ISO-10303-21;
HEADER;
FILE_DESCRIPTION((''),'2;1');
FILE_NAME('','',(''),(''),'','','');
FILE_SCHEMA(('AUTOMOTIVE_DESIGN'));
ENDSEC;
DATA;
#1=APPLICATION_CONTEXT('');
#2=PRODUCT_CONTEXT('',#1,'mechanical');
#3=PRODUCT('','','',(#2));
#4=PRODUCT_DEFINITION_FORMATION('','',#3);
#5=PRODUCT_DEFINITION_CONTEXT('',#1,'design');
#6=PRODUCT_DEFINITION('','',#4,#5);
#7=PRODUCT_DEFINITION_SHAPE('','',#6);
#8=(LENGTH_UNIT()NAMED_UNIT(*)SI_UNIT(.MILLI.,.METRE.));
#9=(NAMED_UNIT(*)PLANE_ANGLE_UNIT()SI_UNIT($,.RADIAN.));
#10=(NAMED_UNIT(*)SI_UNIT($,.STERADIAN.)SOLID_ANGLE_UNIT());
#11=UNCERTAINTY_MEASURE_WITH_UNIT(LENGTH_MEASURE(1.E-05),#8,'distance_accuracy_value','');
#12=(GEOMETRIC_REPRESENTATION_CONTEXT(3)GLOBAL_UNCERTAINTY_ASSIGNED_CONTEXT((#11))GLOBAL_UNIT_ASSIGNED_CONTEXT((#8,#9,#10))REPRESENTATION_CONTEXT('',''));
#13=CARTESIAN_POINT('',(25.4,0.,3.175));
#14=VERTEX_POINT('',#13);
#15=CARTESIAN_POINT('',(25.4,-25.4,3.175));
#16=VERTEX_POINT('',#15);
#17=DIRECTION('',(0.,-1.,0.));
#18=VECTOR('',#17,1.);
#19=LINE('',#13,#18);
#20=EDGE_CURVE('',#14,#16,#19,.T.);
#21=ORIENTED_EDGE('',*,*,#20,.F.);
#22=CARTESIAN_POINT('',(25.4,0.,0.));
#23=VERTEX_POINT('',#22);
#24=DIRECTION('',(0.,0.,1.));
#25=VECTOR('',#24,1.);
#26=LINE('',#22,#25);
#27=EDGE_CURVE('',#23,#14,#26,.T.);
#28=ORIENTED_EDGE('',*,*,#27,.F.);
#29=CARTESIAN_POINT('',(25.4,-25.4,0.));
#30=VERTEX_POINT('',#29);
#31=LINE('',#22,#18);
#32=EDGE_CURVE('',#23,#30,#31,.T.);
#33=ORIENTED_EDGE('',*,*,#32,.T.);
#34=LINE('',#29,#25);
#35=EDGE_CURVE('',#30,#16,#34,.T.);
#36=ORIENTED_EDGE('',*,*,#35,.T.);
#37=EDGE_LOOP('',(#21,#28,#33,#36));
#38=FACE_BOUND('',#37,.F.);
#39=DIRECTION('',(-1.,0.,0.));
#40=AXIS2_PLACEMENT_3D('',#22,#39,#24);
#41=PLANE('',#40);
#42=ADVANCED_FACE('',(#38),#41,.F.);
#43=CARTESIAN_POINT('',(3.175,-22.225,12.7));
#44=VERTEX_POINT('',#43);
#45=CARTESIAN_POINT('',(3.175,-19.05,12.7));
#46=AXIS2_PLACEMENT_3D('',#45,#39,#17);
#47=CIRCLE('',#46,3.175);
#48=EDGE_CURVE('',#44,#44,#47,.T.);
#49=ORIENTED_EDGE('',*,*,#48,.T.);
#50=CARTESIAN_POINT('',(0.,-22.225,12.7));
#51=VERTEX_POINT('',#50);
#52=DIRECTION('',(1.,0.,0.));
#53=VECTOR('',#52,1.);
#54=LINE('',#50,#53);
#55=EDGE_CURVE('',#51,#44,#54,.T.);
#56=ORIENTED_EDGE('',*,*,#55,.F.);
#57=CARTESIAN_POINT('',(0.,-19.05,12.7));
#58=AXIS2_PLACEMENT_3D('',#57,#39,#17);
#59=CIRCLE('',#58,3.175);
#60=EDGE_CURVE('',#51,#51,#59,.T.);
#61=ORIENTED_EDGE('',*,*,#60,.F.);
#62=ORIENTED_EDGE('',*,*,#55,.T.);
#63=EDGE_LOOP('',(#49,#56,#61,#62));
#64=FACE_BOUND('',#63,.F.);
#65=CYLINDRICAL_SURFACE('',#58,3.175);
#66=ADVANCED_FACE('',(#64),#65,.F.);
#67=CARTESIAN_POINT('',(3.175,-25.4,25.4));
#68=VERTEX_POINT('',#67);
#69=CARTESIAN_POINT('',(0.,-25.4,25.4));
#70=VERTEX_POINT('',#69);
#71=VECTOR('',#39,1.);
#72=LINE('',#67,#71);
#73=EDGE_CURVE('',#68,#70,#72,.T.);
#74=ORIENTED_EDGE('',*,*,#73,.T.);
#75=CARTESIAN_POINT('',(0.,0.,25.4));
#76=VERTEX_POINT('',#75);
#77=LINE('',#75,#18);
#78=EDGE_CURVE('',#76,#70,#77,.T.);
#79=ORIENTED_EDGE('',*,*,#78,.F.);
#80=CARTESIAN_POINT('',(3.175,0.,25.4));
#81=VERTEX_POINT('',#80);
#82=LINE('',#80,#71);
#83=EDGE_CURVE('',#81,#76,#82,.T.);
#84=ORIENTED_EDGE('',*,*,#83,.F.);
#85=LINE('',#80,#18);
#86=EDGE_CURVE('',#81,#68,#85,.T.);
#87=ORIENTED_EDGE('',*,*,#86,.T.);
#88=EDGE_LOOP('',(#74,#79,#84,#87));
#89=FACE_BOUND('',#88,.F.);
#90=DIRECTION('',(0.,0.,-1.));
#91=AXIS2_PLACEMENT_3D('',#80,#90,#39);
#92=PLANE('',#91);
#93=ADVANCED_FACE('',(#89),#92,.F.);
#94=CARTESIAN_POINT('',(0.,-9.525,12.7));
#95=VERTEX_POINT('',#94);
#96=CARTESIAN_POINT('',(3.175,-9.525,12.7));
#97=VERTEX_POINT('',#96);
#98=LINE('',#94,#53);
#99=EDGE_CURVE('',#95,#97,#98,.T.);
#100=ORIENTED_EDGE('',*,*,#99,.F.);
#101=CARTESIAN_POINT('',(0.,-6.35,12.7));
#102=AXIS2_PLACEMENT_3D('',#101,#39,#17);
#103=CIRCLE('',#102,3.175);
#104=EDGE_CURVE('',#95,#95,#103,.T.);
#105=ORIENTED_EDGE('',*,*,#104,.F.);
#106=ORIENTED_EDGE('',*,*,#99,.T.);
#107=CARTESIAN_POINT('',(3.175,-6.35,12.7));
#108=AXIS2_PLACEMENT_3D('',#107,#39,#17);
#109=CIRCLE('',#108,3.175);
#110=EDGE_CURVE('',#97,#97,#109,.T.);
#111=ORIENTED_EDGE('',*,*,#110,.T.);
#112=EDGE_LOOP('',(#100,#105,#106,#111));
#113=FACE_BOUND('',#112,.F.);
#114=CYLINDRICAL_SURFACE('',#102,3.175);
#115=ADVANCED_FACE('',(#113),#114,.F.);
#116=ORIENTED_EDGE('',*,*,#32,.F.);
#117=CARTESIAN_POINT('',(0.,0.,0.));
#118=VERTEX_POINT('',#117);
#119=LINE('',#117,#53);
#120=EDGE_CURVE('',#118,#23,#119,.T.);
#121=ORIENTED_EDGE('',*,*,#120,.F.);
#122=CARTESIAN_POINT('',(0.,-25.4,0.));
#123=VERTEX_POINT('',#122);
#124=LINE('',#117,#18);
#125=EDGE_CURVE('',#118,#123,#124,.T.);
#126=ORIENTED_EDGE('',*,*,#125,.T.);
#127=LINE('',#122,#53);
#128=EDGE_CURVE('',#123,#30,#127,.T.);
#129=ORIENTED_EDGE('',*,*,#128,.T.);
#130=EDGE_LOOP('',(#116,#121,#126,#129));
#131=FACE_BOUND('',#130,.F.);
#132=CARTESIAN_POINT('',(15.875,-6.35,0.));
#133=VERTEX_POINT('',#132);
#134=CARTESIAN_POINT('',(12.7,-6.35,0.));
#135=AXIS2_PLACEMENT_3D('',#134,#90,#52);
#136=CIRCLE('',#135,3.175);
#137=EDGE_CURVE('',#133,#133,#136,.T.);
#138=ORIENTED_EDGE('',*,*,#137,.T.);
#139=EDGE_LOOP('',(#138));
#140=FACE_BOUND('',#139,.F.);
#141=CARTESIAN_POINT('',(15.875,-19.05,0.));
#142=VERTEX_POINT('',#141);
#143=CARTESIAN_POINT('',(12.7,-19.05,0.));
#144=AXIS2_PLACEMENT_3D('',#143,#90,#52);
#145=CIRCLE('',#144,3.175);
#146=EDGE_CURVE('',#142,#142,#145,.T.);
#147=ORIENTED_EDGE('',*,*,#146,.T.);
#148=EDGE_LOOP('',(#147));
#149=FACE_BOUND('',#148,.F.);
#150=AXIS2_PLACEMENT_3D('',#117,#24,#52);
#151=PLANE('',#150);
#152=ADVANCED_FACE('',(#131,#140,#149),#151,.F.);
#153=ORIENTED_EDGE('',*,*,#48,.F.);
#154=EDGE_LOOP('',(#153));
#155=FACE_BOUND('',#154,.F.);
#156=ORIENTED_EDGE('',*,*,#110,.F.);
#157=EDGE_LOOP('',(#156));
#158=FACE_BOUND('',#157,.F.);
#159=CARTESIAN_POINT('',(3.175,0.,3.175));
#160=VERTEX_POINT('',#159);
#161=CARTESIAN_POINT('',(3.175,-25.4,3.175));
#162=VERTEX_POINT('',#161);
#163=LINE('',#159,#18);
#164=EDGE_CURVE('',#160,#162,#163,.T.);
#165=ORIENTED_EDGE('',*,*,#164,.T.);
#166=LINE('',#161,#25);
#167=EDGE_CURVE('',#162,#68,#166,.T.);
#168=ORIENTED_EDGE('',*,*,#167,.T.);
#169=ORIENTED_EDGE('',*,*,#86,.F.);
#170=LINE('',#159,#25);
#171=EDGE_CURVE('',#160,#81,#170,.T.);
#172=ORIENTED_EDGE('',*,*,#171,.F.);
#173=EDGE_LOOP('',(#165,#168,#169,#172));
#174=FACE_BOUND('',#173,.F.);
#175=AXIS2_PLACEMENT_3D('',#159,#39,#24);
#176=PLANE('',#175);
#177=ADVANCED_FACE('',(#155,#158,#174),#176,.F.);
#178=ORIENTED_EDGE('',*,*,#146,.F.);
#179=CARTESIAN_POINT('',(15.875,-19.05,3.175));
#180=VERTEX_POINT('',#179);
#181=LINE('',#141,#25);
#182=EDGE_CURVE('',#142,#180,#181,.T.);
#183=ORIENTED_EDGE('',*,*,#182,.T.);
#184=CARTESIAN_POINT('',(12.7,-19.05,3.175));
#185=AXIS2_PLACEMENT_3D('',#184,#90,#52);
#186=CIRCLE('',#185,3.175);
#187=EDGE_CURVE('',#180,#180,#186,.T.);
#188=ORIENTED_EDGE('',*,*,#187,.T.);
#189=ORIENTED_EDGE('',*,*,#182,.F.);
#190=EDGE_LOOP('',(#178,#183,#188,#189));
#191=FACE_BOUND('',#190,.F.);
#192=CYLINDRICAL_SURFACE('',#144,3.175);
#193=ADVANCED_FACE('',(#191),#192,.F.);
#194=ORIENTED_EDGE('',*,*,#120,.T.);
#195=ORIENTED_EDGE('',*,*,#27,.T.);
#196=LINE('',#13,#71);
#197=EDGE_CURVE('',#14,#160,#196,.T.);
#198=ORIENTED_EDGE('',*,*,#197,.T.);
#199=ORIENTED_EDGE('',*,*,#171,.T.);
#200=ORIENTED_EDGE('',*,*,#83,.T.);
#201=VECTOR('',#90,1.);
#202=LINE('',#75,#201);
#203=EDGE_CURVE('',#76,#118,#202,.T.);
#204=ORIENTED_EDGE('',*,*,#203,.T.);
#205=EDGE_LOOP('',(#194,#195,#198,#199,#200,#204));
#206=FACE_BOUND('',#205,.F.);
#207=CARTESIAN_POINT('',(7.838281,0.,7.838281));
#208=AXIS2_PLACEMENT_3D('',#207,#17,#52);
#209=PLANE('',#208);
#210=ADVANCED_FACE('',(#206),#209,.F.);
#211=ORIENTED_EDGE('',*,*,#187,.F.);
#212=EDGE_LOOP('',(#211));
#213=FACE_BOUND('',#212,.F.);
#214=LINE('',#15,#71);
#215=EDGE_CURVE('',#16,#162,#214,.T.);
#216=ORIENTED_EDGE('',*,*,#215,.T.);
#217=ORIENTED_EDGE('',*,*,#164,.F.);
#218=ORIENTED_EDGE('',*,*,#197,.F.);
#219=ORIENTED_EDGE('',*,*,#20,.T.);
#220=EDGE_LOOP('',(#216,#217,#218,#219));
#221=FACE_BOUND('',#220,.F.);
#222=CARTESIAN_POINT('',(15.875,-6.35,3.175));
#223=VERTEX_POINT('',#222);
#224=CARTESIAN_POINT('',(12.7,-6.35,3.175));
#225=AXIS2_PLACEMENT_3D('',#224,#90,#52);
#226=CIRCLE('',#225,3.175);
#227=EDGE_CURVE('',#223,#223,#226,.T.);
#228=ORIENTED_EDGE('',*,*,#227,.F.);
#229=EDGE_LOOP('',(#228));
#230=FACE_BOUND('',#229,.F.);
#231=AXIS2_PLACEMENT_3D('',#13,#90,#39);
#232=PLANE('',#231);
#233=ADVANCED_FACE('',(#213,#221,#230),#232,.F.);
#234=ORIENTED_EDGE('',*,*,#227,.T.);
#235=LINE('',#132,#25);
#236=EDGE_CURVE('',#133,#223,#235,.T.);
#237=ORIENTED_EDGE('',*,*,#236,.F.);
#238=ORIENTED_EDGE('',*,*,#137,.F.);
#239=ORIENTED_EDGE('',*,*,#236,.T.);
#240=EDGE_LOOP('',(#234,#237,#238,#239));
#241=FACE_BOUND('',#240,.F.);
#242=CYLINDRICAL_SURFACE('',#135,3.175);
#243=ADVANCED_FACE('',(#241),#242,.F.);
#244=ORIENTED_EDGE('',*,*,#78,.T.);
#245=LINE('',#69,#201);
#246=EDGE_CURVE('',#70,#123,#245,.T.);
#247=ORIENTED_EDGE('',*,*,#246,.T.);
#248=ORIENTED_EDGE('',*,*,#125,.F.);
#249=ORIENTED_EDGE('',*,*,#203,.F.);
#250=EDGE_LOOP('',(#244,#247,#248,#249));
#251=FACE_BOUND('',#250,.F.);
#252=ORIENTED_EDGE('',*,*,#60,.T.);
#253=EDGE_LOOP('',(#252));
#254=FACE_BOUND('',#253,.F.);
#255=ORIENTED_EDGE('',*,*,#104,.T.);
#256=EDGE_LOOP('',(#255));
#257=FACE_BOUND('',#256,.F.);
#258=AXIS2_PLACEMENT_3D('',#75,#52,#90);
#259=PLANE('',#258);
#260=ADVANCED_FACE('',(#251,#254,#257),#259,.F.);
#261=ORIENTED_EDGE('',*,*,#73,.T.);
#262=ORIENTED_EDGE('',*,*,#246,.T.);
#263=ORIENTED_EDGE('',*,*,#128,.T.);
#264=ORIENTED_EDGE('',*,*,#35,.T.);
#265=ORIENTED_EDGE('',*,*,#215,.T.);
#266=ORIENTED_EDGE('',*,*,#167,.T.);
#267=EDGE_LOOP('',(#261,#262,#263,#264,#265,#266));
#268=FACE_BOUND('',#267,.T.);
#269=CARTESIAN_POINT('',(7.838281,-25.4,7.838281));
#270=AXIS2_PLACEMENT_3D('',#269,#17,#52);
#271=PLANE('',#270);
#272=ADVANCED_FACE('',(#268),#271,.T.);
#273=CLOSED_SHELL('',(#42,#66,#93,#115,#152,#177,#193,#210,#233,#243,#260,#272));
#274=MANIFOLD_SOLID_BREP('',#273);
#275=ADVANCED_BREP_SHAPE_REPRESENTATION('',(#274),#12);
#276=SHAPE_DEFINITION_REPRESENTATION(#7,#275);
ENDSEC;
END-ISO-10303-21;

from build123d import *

# Parameters (mm, degrees)
F1_DEPTH = 25.4
F2_R     = 3.175
F3_DEPTH = 25.4
F4_R     = 3.175
F5_DEPTH = 25.4


with BuildPart() as f1:
    # F0 (on Front) → F1 (new body)
    with BuildSketch(Plane.XZ):
        Polygon((0, 25.4), (0, 0), (25.4, 0), (25.4, 3.175), (3.175, 3.175), (3.175, 25.4), align=None)
    extrude(amount=F1_DEPTH)

    # F2 (on face) → F3 (cut)
    with BuildSketch(Plane(origin=(0, 0, 0), x_dir=(0, -1, 0), z_dir=(-1, 0, 0))):
        with Locations((6.35, 12.7)):
            Circle(F2_R)
        with Locations((19.05, 12.7)):
            Circle(F2_R)
    extrude(amount=-F3_DEPTH, mode=Mode.SUBTRACT)

    # F4 (on face) → F5 (cut)
    with BuildSketch(Plane(origin=(0, 0, 0), x_dir=(1, 0, 0), z_dir=(0, 0, -1))):
        with Locations((12.7, 19.05)):
            Circle(F4_R)
        with Locations((12.7, 6.35)):
            Circle(F4_R)
    extrude(amount=-F5_DEPTH, mode=Mode.SUBTRACT)


solid = f1.part
